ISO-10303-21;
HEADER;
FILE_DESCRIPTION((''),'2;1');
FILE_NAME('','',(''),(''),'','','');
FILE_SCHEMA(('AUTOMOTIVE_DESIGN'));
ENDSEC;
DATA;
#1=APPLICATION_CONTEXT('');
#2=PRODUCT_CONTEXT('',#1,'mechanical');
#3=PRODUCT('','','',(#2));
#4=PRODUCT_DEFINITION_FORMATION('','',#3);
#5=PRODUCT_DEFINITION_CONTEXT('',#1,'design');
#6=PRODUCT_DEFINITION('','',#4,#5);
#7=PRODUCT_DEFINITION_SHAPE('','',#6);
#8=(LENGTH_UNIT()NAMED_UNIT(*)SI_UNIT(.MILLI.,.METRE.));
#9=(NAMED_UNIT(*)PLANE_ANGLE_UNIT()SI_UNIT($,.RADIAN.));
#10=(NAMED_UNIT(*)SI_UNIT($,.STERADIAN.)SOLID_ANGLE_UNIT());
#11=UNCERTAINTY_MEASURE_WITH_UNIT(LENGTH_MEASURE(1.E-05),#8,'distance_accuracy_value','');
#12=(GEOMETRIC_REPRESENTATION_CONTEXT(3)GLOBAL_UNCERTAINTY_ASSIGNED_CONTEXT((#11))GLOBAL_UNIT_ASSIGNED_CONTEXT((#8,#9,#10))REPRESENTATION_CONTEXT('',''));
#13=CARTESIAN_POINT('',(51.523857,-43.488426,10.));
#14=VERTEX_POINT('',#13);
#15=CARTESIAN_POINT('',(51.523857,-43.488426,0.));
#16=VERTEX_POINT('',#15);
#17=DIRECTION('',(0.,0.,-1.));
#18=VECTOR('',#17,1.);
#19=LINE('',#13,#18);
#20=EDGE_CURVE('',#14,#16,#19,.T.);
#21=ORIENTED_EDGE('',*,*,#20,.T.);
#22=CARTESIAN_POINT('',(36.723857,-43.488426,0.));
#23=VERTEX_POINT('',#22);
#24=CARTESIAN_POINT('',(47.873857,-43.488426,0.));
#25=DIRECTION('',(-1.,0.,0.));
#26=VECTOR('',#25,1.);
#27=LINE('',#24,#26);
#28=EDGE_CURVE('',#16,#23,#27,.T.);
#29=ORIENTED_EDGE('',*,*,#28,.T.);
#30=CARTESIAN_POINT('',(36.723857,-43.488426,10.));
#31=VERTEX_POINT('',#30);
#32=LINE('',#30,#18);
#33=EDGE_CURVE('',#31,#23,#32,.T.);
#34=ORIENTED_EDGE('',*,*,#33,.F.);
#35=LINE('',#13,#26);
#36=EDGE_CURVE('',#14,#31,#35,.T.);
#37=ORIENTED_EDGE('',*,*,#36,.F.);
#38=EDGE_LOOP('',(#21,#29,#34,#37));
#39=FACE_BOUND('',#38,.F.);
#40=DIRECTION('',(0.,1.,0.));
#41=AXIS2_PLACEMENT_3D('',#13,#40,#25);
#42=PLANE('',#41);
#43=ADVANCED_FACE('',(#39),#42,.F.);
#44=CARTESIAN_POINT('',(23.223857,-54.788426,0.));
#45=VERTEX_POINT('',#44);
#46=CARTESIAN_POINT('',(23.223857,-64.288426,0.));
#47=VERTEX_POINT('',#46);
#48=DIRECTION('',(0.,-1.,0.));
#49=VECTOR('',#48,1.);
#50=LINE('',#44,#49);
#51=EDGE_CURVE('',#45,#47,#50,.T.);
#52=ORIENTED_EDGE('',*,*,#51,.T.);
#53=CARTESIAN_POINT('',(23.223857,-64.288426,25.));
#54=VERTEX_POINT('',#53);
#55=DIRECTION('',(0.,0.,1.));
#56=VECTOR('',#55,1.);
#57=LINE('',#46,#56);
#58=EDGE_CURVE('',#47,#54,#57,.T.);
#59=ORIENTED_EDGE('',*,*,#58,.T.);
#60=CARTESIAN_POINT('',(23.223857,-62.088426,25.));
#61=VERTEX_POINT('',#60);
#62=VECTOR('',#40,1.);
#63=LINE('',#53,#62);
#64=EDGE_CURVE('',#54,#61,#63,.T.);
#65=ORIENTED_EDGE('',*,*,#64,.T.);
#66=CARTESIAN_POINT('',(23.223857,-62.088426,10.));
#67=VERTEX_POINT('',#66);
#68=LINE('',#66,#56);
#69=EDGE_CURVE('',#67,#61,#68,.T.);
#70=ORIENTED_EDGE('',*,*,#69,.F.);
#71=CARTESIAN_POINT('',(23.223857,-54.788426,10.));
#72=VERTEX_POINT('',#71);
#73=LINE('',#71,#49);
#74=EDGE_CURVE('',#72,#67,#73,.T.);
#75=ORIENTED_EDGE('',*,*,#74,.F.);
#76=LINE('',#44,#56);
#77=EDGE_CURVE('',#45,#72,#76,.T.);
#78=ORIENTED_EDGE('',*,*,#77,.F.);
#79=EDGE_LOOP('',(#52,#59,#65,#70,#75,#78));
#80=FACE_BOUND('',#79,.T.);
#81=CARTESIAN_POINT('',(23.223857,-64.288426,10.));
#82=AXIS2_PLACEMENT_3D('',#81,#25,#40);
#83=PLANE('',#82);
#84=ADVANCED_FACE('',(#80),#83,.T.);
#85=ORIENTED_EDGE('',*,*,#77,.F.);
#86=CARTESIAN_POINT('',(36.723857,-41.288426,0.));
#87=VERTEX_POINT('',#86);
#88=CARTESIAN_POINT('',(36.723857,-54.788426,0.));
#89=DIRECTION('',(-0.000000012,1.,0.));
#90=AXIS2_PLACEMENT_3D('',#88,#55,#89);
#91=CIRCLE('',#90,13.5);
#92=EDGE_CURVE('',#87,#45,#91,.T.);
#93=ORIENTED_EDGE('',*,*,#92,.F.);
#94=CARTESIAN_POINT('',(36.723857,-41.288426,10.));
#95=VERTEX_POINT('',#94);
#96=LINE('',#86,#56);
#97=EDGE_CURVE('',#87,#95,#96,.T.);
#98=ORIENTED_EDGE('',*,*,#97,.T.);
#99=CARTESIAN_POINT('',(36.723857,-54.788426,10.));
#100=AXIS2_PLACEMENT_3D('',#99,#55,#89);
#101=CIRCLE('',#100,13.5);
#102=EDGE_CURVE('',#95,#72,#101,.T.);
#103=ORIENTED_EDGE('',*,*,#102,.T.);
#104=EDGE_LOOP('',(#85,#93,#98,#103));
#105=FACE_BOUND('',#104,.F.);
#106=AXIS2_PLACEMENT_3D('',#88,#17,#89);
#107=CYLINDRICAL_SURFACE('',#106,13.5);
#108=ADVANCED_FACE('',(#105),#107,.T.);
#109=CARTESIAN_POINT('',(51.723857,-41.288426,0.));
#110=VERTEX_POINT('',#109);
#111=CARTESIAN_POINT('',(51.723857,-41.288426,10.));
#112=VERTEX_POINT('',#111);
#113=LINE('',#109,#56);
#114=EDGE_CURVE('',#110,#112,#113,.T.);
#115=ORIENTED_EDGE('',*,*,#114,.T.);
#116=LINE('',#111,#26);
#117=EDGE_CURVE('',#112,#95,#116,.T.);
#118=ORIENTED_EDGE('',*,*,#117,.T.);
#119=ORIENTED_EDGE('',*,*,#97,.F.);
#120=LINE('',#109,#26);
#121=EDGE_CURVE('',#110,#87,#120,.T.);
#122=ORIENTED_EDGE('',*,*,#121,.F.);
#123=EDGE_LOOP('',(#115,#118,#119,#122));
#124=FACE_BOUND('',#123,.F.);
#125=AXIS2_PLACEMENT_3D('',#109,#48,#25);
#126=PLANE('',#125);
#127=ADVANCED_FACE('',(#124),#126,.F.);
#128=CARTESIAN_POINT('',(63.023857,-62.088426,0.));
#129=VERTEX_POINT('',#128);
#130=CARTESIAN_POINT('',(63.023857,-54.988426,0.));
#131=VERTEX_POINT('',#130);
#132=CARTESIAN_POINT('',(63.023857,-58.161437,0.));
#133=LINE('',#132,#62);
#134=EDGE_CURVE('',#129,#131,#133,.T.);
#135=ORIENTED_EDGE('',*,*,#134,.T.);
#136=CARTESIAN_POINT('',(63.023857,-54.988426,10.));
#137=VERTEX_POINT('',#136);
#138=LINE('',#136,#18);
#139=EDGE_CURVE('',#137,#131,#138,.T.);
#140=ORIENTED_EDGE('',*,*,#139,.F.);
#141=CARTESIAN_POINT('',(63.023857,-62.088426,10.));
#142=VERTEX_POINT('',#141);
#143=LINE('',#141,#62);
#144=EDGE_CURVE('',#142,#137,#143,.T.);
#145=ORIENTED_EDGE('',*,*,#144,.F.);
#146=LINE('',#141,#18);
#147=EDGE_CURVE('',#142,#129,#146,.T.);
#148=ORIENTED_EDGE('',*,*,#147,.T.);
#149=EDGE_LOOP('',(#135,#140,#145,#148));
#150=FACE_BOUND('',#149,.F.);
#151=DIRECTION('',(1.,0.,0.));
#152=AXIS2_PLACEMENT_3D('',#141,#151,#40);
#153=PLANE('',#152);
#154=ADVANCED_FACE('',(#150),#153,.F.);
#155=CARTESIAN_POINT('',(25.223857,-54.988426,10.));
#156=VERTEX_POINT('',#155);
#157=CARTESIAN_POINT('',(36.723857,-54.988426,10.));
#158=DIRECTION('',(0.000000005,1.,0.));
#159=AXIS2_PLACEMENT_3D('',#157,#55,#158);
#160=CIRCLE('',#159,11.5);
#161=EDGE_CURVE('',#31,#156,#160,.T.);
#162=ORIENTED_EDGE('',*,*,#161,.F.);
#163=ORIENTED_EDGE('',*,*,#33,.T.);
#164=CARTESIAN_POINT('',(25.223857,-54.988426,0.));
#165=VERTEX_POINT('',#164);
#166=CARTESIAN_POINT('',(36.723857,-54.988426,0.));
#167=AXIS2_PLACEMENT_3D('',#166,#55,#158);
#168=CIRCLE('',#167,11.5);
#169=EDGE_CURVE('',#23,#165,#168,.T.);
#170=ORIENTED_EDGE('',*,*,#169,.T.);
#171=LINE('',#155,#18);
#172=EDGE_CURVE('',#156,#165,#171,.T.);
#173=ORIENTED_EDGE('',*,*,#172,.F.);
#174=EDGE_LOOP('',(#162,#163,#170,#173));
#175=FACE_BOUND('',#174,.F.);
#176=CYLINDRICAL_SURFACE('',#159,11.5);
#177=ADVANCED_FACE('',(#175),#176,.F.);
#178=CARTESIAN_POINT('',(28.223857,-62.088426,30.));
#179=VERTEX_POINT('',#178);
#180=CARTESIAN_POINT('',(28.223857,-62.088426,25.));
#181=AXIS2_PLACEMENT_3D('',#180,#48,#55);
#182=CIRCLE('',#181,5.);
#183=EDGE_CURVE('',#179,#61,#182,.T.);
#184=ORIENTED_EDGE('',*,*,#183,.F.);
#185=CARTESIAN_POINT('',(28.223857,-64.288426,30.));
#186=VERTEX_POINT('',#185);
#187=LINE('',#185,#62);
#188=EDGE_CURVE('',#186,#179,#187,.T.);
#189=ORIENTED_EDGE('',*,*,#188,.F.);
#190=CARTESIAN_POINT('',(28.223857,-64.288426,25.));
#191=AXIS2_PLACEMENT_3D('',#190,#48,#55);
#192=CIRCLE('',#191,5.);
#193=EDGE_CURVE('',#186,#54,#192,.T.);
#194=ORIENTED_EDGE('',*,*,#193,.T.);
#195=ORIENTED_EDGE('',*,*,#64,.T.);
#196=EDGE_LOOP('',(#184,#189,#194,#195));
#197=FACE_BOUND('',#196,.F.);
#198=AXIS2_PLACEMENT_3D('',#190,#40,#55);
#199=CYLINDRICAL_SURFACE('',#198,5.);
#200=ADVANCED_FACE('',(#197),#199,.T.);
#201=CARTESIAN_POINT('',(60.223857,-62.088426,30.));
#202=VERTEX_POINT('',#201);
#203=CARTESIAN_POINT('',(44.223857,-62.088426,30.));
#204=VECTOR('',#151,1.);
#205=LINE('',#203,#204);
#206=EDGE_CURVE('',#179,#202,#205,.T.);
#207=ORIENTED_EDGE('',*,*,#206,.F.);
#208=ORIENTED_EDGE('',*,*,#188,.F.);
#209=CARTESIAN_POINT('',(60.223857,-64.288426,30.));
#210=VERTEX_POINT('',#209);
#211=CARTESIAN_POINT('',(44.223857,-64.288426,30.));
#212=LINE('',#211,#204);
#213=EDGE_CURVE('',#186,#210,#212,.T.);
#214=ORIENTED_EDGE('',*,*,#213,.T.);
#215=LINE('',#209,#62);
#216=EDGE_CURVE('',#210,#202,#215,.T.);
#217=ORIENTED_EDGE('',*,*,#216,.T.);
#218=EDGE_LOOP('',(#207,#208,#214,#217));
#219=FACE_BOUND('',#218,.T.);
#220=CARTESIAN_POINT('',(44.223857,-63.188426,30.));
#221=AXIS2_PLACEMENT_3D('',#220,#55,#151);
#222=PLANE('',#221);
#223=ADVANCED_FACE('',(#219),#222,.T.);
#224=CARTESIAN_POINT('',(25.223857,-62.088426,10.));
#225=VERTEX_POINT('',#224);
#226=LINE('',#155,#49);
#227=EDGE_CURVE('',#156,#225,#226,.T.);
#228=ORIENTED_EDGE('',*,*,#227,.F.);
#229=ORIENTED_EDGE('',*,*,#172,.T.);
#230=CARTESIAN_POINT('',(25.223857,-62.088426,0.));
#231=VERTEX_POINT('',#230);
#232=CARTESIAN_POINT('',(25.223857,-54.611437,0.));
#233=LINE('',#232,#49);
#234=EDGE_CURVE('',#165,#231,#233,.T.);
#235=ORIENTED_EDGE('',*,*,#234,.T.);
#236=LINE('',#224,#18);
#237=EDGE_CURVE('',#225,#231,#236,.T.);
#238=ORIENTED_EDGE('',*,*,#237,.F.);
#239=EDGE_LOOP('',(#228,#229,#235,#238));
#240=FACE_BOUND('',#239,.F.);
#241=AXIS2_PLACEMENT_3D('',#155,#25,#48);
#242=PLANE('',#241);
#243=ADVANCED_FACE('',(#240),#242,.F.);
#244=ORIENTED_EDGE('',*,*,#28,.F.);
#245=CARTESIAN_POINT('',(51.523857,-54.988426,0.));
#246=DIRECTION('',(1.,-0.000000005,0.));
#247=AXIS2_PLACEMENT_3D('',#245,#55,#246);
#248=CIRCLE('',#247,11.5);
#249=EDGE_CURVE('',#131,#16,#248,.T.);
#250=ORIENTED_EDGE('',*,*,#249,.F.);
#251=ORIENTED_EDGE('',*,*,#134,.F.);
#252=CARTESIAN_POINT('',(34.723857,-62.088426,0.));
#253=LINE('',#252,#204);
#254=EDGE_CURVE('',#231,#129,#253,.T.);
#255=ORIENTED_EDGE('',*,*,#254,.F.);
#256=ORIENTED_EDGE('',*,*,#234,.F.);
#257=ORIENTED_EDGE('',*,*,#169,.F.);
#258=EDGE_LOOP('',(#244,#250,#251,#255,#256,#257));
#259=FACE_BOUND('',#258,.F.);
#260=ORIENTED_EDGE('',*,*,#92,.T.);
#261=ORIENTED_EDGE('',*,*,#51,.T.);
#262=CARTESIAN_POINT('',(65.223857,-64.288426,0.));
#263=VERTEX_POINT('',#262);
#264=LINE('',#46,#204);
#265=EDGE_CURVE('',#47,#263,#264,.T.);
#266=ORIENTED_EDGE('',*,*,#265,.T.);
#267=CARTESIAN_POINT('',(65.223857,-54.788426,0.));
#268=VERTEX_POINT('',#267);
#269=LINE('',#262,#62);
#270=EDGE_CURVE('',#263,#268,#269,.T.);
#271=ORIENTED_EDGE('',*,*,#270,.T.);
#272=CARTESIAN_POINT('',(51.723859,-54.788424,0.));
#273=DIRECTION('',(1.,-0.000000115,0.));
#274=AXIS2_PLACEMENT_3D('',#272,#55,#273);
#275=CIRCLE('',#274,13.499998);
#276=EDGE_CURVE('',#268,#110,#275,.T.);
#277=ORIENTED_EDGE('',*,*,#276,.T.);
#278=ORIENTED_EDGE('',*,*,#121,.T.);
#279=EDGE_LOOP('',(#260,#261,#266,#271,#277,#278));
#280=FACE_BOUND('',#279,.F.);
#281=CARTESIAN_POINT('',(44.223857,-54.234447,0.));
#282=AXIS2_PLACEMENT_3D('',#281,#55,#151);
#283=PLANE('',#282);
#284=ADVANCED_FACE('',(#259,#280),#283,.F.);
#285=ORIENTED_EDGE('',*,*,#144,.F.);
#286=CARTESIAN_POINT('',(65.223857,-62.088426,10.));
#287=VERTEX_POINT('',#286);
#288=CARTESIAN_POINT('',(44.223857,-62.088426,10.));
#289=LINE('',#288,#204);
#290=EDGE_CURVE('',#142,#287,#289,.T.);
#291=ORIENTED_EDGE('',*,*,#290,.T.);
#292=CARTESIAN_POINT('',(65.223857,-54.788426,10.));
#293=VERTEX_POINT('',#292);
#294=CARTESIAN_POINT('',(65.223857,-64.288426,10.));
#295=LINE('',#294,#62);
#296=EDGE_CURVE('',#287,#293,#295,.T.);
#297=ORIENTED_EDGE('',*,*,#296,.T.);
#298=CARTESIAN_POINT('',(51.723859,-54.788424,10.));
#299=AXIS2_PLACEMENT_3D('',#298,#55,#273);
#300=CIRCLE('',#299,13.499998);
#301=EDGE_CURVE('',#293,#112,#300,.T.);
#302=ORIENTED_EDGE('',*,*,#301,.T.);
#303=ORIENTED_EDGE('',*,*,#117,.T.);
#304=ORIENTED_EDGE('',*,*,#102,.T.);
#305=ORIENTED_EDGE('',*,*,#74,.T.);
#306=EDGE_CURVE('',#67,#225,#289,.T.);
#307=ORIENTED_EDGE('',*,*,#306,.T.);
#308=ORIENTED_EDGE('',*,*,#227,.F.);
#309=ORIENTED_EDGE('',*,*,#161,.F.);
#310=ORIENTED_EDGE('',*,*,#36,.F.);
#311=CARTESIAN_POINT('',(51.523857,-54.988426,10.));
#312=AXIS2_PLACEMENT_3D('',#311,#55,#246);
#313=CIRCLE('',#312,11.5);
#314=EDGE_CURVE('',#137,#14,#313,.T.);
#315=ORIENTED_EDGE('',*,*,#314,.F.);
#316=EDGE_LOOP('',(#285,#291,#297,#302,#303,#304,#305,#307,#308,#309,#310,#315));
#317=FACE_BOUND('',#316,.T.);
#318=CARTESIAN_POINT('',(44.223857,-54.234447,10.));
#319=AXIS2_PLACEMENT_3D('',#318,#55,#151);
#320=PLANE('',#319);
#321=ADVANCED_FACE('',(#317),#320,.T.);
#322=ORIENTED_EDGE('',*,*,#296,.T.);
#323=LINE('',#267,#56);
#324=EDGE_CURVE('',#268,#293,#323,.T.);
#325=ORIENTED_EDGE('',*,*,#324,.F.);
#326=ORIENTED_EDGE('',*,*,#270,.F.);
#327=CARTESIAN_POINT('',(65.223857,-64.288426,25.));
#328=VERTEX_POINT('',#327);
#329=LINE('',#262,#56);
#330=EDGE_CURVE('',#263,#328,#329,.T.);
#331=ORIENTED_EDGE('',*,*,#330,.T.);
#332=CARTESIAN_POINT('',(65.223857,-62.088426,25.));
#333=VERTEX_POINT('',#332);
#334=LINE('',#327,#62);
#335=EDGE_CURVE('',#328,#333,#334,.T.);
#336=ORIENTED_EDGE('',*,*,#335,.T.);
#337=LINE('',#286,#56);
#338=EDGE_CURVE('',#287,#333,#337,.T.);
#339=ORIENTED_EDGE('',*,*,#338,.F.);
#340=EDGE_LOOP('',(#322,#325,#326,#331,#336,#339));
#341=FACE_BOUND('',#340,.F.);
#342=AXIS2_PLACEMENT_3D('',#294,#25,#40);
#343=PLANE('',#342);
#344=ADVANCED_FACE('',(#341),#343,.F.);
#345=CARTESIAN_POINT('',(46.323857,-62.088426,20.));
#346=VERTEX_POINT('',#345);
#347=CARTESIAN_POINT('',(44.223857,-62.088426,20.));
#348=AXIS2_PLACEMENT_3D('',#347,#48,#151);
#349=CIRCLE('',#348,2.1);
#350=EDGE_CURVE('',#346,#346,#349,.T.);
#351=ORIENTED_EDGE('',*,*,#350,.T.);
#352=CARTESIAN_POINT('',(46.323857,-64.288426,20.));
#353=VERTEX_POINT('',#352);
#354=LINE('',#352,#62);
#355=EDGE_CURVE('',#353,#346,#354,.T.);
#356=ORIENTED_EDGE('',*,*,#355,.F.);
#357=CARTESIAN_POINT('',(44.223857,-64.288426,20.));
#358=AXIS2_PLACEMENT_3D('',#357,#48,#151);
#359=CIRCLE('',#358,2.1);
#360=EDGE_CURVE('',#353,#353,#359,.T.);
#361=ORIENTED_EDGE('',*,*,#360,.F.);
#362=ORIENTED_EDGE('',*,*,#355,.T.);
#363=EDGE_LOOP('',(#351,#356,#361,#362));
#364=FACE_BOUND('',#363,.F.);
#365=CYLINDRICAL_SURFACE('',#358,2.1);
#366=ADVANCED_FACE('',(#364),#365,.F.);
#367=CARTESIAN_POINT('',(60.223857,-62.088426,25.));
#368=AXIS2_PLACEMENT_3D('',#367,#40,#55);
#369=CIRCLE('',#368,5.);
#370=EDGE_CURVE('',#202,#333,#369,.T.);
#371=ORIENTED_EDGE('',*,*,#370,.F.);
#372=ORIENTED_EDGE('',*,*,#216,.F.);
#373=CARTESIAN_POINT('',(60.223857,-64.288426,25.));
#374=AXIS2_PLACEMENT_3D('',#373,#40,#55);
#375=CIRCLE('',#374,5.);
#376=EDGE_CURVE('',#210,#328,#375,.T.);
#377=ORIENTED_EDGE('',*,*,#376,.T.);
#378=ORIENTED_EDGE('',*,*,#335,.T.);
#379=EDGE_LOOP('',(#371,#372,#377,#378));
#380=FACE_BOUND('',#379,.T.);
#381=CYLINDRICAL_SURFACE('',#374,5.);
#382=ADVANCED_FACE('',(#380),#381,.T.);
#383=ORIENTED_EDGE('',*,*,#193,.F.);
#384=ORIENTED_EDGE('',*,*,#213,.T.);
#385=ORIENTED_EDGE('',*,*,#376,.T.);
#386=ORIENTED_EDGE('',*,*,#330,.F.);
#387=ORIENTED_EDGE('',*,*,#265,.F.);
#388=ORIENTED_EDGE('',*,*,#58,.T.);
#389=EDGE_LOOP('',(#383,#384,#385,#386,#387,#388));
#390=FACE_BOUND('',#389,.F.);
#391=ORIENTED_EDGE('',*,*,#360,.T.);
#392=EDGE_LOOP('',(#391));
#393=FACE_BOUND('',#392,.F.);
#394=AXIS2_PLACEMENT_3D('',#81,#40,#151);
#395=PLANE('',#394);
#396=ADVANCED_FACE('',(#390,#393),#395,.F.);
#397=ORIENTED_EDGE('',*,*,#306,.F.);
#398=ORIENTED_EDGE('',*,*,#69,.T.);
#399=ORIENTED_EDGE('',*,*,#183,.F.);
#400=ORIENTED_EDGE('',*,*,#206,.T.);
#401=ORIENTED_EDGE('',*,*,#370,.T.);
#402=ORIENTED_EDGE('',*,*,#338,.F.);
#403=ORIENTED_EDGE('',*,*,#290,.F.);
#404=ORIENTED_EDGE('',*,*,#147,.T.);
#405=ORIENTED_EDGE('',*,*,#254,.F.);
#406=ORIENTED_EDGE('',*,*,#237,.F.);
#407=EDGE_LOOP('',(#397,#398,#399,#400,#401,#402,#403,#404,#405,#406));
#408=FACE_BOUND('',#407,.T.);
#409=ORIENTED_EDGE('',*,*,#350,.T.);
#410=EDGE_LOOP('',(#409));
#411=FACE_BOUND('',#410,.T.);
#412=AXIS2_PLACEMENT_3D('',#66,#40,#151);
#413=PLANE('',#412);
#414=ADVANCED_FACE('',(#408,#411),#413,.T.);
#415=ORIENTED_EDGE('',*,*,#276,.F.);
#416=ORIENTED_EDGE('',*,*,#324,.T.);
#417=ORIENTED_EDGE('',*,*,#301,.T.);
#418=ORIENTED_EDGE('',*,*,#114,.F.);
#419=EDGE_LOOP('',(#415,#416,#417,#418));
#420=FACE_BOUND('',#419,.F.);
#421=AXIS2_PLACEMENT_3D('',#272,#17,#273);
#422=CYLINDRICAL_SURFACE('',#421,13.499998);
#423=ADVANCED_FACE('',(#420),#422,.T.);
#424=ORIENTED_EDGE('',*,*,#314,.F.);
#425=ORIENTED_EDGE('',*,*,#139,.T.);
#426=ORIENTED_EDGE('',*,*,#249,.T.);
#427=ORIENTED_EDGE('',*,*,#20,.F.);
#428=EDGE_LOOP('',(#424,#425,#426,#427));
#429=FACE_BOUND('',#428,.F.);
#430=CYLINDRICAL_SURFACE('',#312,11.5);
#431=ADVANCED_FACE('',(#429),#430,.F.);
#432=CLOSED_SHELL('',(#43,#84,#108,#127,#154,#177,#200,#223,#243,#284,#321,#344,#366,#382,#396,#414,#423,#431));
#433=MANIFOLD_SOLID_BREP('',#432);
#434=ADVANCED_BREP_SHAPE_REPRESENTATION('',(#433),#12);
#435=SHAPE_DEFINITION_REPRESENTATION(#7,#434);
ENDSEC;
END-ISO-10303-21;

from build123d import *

# Parameters (mm, degrees)
F1_DEPTH = 10
F3_DEPTH = 25
F4_W     = 42
F4_H     = 2.2
F5_DEPTH = 20
F6_R     = 2.1
F7_DEPTH = 4
F8_R     = 5
F9_R     = 5


with BuildPart() as f1:
    # F0 (on Top) → F1 (new body)
    with BuildSketch(Plane.XY):
        with BuildLine():
            Line((51.723857, -41.288426), (36.723857, -41.288426))
            ThreePointArc((36.723857, -41.288426), (27.177916, -45.242484), (23.223857, -54.788426))
            Line((23.223857, -54.788426), (23.223857, -64.288426))
            Line((23.223857, -64.288426), (65.223857, -64.288426))
            Line((65.223857, -64.288426), (65.223857, -54.788426))
            ThreePointArc((65.223857, -54.788426), (61.269799, -45.242484), (51.723857, -41.288426))
        make_face()
    extrude(amount=F1_DEPTH)

    # F2 (on face) → F3 (cut)
    with BuildSketch(Plane.XY.offset(10)):
        with BuildLine():
            Line((51.523857, -43.488426), (36.723857, -43.488426))
            ThreePointArc((36.723857, -43.488426), (28.592129, -46.856698), (25.223857, -54.988426))
            Line((25.223857, -54.988426), (25.223857, -62.088426))
            Line((25.223857, -62.088426), (63.023857, -62.088426))
            Line((63.023857, -62.088426), (63.023857, -54.988426))
            ThreePointArc((63.023857, -54.988426), (59.655585, -46.856698), (51.523857, -43.488426))
        make_face()
    extrude(amount=-F3_DEPTH, mode=Mode.SUBTRACT)

    # F4 (on face) → F5 (join)
    with BuildSketch(Plane.XY.offset(10)):
        with Locations((44.223857, -63.188426)):
            Rectangle(F4_W, F4_H)
    extrude(amount=F5_DEPTH)

    # F6 (on face) → F7 (cut)
    with BuildSketch(Plane.XZ.offset(64.288426)):
        with Locations((44.223857, 20)):
            Circle(F6_R)
    extrude(amount=-F7_DEPTH, mode=Mode.SUBTRACT)

    # F8
    f8_edges = [f1.edges().sort_by_distance(p)[0] for p in [
        (65.223857, -63.188426, 30),
    ]]
    fillet(f8_edges, radius=F8_R)

    # F9
    f9_edges = [f1.edges().sort_by_distance(p)[0] for p in [
        (23.223857, -63.188426, 30),
    ]]
    fillet(f9_edges, radius=F9_R)


solid = f1.part
